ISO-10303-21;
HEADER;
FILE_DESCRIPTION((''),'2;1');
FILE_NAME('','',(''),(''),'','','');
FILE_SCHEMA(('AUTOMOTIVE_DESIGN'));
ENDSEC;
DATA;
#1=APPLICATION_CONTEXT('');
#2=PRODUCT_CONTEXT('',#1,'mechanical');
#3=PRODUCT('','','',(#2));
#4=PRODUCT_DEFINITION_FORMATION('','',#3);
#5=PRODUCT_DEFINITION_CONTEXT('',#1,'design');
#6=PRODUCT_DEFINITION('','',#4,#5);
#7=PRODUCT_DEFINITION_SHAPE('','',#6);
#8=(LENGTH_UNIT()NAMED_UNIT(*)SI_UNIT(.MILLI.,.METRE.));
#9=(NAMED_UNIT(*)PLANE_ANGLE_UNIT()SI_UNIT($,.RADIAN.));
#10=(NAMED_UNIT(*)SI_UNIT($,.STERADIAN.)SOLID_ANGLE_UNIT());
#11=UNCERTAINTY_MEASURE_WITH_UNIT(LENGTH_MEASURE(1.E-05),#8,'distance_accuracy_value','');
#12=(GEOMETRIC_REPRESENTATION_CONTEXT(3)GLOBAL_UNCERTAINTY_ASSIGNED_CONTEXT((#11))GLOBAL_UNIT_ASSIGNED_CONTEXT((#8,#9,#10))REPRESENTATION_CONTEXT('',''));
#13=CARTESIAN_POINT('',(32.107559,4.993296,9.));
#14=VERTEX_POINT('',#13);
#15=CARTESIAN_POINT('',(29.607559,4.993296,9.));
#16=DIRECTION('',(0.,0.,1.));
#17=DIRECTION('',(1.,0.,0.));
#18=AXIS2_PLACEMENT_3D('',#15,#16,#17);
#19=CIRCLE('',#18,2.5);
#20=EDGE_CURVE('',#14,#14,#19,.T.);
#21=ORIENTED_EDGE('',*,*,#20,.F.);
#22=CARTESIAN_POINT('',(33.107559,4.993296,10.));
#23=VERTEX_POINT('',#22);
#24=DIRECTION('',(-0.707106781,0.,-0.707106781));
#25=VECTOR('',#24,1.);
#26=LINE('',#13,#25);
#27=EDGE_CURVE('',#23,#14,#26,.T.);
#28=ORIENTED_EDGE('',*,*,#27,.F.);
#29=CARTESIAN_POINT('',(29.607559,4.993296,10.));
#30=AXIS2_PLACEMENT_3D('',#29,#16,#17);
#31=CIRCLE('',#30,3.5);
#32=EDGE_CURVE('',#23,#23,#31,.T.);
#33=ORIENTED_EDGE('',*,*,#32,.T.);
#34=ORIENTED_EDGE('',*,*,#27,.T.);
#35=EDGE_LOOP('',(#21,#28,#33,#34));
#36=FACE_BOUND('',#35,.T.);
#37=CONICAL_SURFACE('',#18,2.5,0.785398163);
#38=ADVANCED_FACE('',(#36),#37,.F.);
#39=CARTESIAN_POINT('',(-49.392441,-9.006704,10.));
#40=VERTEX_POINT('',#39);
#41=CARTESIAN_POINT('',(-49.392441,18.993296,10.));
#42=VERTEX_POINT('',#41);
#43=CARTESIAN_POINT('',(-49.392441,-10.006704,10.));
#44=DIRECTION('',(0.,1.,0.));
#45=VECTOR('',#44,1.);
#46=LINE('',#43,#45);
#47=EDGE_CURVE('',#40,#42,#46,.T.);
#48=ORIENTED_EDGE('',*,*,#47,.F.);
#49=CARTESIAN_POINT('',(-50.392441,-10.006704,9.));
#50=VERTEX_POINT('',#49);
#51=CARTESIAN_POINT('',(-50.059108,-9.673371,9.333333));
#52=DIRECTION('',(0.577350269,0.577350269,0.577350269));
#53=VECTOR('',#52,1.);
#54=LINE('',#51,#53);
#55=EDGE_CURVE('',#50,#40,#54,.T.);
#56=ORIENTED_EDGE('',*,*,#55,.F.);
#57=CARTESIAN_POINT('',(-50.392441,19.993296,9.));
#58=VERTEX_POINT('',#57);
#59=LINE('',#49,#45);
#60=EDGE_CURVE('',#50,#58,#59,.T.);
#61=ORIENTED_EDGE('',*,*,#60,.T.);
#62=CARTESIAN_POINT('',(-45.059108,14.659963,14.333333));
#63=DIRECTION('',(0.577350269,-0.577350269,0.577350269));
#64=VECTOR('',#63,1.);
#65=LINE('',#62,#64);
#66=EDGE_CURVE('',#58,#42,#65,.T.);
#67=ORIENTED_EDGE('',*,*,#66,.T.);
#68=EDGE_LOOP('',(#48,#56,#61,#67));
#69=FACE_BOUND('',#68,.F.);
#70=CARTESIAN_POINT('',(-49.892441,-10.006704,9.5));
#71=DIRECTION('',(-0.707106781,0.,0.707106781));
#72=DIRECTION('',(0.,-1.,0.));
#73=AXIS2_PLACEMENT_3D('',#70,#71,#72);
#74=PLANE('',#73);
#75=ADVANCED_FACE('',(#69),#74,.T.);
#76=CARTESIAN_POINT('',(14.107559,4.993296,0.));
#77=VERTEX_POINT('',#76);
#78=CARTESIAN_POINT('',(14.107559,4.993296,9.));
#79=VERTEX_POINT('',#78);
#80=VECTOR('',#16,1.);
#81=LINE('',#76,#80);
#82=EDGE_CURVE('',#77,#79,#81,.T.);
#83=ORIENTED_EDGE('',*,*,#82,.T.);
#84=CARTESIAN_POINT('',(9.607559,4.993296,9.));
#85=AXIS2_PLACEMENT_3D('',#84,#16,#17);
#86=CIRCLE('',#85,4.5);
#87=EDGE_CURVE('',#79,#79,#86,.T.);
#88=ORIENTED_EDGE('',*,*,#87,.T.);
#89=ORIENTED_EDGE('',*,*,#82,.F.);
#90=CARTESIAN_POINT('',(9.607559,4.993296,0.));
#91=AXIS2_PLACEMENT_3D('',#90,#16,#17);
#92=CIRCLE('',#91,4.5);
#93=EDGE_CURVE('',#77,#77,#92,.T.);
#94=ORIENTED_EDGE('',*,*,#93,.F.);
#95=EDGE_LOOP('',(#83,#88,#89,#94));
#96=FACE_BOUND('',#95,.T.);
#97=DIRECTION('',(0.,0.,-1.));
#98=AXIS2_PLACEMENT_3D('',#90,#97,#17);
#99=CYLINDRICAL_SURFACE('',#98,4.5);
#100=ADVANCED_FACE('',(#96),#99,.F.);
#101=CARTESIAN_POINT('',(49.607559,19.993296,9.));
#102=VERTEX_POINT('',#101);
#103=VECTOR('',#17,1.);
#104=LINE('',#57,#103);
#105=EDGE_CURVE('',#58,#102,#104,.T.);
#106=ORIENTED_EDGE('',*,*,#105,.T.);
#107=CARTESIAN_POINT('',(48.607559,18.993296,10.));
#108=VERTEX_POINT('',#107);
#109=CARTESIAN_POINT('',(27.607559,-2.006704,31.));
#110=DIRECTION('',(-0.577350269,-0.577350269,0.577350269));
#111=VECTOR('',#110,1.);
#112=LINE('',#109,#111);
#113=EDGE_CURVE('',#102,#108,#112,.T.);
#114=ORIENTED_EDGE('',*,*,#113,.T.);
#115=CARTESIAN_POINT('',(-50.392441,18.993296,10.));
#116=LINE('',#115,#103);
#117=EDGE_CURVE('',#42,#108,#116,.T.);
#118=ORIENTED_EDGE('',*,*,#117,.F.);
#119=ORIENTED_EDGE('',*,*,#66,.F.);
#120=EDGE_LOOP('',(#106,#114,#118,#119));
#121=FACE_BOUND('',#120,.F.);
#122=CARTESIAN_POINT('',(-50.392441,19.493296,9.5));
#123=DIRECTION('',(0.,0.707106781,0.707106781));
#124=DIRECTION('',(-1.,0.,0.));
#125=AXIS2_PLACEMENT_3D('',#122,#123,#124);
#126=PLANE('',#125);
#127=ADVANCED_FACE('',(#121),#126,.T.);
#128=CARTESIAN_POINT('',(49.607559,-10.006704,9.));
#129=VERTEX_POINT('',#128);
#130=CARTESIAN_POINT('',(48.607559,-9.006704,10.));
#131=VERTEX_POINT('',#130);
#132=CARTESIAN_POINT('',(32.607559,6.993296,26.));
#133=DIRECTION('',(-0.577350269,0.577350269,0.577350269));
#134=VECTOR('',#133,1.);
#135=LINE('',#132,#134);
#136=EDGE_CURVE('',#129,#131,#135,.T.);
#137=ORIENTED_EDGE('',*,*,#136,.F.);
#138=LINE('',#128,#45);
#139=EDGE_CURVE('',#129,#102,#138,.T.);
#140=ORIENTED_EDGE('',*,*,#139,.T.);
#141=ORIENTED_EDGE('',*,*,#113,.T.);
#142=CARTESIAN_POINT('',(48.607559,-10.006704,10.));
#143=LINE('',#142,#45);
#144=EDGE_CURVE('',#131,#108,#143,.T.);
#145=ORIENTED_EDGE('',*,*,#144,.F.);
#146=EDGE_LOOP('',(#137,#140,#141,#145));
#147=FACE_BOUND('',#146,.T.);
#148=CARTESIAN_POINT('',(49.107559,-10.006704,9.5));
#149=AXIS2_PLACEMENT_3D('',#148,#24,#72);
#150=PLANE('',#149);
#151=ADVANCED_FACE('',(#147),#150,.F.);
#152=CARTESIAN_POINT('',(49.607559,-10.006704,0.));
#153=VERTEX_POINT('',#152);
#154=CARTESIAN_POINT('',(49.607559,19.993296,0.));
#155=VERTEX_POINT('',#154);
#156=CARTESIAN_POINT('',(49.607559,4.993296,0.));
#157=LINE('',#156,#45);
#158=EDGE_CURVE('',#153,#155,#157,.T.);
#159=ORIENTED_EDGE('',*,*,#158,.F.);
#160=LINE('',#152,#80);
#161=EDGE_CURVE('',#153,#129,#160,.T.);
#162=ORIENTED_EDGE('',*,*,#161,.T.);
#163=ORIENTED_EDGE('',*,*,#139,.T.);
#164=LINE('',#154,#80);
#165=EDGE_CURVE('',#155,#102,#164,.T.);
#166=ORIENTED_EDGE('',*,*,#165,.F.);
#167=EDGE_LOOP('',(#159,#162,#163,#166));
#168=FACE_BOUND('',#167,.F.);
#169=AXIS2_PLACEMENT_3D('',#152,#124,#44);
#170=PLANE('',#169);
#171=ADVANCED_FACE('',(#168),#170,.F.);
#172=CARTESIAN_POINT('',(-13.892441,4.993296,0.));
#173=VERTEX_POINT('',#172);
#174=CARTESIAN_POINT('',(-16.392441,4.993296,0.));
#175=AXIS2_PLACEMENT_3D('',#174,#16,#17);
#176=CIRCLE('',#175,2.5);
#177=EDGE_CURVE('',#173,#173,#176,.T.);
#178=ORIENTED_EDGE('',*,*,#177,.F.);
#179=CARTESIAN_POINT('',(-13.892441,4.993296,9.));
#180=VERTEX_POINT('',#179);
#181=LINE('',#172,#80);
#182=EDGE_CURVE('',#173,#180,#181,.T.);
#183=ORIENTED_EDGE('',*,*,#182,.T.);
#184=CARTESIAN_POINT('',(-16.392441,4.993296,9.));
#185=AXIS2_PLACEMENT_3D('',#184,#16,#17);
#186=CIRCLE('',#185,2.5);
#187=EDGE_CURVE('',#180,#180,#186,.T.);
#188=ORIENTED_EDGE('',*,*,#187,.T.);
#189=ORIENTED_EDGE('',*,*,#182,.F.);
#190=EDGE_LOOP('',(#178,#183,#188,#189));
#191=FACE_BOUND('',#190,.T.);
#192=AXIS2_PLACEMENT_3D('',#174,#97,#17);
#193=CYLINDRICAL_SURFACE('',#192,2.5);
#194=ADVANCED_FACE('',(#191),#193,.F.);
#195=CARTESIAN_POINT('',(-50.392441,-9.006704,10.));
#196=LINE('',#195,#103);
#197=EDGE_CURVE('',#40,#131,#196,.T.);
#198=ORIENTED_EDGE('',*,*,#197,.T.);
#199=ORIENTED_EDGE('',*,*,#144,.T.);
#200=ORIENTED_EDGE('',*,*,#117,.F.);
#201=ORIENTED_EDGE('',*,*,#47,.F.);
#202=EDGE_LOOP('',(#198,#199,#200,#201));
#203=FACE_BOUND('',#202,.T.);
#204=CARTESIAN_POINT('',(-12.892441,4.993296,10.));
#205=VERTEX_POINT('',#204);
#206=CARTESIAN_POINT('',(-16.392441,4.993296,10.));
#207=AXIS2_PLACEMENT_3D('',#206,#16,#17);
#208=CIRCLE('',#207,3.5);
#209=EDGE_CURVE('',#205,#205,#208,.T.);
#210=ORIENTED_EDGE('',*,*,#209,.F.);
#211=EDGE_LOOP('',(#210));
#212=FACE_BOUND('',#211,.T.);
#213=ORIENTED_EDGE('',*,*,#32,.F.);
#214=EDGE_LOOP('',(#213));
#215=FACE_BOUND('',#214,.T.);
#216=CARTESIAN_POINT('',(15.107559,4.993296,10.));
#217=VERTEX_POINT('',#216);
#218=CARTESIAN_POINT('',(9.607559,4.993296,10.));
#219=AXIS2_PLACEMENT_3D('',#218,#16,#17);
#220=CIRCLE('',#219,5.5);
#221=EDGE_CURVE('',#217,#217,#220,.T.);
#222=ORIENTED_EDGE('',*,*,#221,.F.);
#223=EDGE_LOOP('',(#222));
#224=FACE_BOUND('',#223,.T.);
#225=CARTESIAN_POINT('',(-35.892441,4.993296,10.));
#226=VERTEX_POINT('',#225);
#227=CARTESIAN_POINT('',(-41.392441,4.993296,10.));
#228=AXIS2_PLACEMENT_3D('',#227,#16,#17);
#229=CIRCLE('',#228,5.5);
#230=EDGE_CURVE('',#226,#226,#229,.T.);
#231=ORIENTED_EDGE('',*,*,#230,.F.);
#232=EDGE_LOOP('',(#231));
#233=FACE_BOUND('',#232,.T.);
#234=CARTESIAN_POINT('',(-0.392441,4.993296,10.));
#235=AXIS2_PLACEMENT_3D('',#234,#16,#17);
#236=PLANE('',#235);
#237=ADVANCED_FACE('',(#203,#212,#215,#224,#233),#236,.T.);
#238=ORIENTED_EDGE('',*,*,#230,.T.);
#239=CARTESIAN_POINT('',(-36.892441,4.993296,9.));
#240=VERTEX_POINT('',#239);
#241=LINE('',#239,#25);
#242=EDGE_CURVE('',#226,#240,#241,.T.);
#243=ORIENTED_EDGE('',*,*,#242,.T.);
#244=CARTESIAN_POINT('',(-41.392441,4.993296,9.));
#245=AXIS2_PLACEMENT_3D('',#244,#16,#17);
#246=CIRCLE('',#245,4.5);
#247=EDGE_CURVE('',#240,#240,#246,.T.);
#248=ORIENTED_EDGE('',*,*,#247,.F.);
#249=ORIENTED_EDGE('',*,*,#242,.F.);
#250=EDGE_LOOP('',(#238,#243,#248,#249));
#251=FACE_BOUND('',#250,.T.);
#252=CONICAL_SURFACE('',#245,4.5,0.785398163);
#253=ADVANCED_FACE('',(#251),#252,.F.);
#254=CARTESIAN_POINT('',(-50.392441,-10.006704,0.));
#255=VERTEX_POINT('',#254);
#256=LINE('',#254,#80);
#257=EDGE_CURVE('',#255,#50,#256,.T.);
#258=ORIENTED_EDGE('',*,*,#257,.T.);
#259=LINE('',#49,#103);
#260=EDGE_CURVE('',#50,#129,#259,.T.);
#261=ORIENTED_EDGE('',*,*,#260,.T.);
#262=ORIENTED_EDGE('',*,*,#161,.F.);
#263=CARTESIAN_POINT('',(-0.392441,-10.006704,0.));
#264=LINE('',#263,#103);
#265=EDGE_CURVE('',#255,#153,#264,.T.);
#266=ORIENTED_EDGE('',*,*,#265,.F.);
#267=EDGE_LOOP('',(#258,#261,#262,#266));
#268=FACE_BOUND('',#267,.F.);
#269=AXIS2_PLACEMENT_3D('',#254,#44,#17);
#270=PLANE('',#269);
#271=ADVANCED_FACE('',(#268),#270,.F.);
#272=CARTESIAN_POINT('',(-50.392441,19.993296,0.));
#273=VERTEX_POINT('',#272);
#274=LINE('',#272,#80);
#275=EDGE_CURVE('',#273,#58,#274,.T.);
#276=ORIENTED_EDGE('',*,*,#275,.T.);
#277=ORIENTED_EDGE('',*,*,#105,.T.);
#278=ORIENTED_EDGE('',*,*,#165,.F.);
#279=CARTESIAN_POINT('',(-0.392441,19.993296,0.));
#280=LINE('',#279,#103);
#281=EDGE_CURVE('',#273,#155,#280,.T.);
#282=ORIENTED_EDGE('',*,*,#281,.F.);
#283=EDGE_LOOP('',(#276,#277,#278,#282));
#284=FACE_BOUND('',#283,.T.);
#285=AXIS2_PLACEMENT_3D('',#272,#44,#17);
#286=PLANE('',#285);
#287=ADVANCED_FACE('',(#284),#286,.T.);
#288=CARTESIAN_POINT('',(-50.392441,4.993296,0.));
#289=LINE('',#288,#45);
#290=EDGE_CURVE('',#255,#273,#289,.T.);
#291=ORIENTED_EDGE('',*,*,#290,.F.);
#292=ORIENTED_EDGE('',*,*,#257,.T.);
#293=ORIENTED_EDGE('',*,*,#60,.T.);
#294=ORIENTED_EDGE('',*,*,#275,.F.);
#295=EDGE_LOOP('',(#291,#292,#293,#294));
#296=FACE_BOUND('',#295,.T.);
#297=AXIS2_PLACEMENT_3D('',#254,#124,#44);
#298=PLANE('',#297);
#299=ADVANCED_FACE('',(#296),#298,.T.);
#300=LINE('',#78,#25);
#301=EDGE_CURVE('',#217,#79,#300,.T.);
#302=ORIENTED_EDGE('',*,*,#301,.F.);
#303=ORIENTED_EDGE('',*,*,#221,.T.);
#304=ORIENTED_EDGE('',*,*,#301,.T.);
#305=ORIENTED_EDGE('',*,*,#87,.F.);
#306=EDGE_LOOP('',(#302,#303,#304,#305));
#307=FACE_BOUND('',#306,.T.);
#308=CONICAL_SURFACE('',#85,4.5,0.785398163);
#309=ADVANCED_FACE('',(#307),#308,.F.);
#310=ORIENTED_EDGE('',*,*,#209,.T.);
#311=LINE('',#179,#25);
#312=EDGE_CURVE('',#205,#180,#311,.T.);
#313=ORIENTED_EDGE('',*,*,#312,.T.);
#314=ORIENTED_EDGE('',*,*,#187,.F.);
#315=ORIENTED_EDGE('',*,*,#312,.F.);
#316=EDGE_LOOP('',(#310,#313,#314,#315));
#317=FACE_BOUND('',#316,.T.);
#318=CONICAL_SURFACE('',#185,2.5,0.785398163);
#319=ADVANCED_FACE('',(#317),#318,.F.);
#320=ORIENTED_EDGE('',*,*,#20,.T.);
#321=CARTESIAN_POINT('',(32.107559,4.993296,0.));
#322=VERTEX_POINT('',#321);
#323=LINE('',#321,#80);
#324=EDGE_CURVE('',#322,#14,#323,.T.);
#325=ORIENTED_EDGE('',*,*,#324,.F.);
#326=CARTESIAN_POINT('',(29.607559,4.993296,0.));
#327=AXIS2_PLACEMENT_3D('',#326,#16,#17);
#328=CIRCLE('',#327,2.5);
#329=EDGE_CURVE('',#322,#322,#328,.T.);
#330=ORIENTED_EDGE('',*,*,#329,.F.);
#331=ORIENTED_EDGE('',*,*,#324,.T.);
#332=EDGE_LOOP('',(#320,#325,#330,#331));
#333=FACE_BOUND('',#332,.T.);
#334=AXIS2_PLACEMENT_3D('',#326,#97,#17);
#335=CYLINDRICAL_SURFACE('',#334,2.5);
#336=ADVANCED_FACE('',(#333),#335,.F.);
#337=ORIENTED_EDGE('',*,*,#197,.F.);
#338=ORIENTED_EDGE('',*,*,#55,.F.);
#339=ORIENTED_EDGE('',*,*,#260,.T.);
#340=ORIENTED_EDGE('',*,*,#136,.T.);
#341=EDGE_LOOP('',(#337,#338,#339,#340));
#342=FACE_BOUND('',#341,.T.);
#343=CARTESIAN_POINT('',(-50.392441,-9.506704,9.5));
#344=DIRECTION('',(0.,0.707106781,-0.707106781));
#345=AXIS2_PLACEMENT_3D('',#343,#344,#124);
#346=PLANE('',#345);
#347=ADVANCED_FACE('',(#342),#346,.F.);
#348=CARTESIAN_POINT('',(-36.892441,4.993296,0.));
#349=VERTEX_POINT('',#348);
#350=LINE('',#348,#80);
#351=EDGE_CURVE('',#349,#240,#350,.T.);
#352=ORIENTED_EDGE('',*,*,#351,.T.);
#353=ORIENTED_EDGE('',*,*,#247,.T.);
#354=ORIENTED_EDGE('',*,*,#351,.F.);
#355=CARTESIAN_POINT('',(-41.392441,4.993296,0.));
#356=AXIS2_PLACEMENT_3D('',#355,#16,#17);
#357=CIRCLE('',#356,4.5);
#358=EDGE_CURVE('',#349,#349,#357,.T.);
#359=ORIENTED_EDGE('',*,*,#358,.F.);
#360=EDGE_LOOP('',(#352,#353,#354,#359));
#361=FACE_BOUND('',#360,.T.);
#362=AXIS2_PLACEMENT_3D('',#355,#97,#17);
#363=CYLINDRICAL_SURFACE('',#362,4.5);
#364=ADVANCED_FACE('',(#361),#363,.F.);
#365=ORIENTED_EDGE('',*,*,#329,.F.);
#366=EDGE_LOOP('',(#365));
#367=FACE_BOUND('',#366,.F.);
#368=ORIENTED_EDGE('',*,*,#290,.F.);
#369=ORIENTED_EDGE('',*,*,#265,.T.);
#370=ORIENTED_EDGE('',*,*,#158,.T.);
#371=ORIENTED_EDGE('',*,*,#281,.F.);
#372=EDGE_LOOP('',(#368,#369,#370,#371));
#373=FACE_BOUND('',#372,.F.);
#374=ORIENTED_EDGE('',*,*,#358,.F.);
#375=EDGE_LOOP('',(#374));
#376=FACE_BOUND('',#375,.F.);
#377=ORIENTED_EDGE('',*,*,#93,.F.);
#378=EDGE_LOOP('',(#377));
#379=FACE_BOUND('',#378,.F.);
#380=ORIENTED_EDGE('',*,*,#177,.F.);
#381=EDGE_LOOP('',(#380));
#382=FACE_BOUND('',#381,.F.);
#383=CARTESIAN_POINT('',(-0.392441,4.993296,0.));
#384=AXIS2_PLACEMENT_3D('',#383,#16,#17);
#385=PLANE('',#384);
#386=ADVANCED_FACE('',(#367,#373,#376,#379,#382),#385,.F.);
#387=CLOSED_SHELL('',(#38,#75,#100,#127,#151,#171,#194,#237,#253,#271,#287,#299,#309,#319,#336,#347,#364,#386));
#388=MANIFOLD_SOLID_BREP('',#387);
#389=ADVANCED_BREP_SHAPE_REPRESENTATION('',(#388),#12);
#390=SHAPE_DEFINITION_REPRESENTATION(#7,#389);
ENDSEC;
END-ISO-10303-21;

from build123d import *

# Parameters (mm, degrees)
F0_W     = 100
F0_H     = 30
F0_R     = 4.5
F0_R_2   = 2.5
F1_DEPTH = 10
F2_SIZE  = 1
F3_SIZE  = 1


with BuildPart() as f1:
    # F0 (on Top) → F1 (new body)
    with BuildSketch(Plane.XY):
        with Locations((-0.392441, 4.993296)):
            Rectangle(F0_W, F0_H)
        with Locations((-41.392441, 4.993296)):
            Circle(F0_R, mode=Mode.SUBTRACT)
        with Locations((-16.392441, 4.993296)):
            Circle(F0_R_2, mode=Mode.SUBTRACT)
        with Locations((9.607559, 4.993296)):
            Circle(F0_R, mode=Mode.SUBTRACT)
        with Locations((29.607559, 4.993296)):
            Circle(F0_R_2, mode=Mode.SUBTRACT)
    extrude(amount=F1_DEPTH)

    # F2
    f2_edges = [f1.edges().sort_by_distance(p)[0] for p in [
        (-0.392441, -10.006704, 10),
        (-50.392441, 4.993296, 10),
        (-0.392441, 19.993296, 10),
        (49.607559, 4.993296, 10),
    ]]
    chamfer(f2_edges, length=F2_SIZE)

    # F3
    f3_edges = [f1.edges().sort_by_distance(p)[0] for p in [
        (-45.892441, 4.993296, 10),
        (-18.892441, 4.993296, 10),
        (5.107559, 4.993296, 10),
        (27.107559, 4.993296, 10),
    ]]
    chamfer(f3_edges, length=F3_SIZE)


solid = f1.part
